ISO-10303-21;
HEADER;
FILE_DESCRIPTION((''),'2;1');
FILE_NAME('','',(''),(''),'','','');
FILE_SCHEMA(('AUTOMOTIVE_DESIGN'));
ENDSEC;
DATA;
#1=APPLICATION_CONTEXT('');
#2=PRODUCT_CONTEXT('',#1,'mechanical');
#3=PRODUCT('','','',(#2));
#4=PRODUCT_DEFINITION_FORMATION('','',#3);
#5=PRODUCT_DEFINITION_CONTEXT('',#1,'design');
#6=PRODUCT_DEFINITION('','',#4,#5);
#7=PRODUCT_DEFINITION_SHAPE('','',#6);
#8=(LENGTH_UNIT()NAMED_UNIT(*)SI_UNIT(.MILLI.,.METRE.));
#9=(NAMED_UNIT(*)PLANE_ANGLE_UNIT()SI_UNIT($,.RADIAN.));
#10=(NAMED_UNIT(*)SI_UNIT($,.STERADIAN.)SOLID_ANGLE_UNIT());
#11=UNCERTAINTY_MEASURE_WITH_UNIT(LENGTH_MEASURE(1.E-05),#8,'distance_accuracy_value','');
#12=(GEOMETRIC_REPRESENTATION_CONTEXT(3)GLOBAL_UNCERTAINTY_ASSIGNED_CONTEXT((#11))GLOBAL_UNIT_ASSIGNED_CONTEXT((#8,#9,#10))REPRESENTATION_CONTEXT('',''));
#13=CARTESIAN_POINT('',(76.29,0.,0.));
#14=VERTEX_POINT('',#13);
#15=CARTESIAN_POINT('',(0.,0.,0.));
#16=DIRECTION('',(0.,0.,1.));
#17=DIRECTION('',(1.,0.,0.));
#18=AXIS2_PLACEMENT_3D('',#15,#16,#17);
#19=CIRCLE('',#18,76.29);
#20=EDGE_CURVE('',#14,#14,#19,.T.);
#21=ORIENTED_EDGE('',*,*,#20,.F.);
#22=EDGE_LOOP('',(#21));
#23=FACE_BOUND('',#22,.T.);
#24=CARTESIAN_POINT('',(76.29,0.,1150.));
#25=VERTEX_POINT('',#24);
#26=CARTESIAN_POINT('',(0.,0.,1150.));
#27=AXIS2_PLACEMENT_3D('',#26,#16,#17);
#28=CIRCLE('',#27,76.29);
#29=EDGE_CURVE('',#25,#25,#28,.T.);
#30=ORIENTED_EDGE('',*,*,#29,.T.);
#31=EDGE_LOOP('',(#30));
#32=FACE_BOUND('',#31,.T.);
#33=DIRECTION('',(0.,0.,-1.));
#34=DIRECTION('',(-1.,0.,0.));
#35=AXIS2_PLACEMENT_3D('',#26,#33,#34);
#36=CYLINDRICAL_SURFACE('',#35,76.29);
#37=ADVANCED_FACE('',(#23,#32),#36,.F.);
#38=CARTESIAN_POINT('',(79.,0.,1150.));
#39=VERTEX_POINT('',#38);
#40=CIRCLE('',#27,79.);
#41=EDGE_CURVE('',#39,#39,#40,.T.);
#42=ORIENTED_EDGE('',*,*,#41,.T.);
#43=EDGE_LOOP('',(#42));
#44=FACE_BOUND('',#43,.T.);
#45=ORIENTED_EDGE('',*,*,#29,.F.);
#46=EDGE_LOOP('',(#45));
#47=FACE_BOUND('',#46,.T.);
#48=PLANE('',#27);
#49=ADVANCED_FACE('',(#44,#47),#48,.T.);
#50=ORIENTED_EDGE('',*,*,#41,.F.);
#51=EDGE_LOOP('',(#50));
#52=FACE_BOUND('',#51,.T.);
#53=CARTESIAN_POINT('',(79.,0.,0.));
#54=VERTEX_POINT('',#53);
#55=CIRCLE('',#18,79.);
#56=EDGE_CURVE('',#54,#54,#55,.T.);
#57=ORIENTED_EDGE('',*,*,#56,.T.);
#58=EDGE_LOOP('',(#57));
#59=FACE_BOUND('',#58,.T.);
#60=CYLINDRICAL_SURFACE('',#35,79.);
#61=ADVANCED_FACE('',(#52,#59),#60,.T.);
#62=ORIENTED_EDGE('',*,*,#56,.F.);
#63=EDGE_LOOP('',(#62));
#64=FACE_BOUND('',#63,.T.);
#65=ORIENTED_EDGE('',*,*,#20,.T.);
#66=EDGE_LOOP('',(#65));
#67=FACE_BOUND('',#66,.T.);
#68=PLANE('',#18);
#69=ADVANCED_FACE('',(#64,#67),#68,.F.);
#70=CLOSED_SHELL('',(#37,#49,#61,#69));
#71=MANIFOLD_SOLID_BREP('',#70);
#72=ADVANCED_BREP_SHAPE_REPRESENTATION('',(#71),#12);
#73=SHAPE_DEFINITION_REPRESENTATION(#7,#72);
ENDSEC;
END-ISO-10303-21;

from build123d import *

# Parameters (mm, degrees)
ESQUISSE1_R        = 79
ESQUISSE1_R_2      = 76.29
BOSS_EXTRU_1_DEPTH = 1150


with BuildPart() as part:
    # Esquisse1 → Boss.-Extru.1 (new body)
    with BuildSketch(Plane.XY):
        Circle(ESQUISSE1_R)
        Circle(ESQUISSE1_R_2, mode=Mode.SUBTRACT)
    extrude(amount=BOSS_EXTRU_1_DEPTH)


solid = part.part
